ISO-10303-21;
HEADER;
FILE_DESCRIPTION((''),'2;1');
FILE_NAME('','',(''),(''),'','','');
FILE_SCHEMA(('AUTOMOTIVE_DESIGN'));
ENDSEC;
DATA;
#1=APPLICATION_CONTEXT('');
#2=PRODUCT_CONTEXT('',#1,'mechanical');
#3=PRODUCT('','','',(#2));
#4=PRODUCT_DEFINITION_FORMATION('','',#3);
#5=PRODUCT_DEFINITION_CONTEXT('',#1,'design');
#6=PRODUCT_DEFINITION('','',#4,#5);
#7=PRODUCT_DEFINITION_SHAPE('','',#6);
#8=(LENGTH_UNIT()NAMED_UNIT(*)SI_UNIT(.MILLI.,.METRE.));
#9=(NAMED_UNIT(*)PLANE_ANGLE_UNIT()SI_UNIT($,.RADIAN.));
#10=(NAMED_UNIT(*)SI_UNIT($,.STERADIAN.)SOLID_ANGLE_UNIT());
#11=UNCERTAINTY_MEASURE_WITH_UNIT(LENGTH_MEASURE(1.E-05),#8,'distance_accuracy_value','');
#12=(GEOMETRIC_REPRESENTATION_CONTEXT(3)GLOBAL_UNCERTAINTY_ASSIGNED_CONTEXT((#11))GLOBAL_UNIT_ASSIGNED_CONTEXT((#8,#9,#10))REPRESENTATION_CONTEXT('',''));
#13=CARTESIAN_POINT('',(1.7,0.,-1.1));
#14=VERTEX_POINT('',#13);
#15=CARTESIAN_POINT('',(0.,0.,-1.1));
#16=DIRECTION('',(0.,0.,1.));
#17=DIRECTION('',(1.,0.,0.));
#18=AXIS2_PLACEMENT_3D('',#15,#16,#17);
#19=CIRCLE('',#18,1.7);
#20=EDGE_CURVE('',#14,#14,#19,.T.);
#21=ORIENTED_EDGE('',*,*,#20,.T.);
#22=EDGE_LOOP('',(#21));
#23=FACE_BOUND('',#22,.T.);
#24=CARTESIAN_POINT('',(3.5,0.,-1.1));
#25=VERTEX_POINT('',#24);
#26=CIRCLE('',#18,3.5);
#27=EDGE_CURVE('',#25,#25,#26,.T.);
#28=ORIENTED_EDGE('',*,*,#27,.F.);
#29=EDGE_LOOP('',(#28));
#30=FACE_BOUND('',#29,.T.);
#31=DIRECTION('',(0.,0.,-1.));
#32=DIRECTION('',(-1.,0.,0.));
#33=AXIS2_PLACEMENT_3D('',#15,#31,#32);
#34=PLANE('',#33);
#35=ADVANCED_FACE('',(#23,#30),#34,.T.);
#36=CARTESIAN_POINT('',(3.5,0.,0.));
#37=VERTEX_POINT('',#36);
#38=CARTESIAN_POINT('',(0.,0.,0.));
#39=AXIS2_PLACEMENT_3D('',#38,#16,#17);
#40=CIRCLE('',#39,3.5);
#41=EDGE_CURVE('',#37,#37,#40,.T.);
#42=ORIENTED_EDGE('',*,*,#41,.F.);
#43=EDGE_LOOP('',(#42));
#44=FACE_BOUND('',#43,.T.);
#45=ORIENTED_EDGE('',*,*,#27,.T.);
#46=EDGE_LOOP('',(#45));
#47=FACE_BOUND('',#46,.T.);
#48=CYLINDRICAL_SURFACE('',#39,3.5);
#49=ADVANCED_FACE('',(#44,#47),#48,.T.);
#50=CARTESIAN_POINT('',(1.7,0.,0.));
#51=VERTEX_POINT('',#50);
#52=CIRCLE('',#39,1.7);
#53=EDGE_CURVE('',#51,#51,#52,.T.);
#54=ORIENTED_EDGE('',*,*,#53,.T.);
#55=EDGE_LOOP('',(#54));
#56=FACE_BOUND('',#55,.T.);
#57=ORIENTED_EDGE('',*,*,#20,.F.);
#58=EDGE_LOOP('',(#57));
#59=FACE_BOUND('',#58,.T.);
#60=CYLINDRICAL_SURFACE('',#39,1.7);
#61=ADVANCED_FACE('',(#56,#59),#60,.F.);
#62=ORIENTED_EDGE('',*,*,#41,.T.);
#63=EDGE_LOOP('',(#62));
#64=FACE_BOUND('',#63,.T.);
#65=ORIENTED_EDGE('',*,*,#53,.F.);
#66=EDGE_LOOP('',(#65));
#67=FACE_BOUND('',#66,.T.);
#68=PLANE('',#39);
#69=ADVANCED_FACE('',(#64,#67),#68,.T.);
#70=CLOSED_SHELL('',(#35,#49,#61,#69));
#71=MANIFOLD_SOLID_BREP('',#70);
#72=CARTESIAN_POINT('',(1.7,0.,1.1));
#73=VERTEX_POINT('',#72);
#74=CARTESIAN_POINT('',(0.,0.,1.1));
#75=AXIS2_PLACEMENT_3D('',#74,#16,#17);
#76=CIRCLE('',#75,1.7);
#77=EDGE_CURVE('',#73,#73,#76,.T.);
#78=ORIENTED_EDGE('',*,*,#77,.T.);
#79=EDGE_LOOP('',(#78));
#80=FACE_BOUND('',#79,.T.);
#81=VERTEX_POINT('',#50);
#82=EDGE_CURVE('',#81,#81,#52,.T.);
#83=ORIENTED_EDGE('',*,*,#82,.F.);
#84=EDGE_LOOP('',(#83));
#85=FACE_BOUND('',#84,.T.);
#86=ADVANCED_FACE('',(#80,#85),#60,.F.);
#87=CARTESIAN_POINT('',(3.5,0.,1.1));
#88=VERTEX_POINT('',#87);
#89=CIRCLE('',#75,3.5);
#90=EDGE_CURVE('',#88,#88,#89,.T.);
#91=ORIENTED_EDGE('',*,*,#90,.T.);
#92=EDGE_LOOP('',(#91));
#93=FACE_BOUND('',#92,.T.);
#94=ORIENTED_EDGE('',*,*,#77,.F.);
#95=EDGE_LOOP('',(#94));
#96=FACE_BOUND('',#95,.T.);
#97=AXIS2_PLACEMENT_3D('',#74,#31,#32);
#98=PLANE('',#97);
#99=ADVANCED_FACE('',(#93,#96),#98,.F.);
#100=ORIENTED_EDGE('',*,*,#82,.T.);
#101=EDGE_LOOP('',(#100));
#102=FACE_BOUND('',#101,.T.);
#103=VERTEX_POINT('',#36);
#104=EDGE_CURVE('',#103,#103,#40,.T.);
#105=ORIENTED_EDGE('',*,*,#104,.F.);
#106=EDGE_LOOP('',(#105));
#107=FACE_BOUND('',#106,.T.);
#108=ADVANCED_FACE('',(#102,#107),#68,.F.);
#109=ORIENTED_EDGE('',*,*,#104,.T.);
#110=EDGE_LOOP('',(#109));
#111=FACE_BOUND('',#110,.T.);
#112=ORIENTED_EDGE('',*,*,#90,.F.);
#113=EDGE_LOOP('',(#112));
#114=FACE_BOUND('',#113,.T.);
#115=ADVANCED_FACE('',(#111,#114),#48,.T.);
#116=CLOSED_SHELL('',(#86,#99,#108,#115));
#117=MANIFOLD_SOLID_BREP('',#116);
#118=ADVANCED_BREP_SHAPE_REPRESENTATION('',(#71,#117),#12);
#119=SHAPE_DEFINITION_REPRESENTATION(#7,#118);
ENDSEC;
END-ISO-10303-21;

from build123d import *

# Parameters (mm, degrees)
SKETCH_8_W   = 1.1
SKETCH_8_H   = 1.8
SKETCH_8_8_W = 1.1
SKETCH_8_8_H = 1.8


with BuildPart() as part:
    # 草图8 → 旋转3 (revolve)
    with BuildSketch(Plane(origin=(0, 0, 0), x_dir=(0, 0, -1), z_dir=(1, 0, 0))):
        with Locations((-0.55, 2.6)):
            Rectangle(SKETCH_8_W, SKETCH_8_H)
    revolve(axis=Axis((0, 0, 0), (0, 0, -1)))


with BuildPart() as body_2:
    # 草图8<8> → 旋转4 (revolve)
    with BuildSketch(Plane(origin=(0, 0, 0), x_dir=(0, 0, -1), z_dir=(1, 0, 0))):
        with Locations((0.55, 2.6)):
            Rectangle(SKETCH_8_8_W, SKETCH_8_8_H)
    revolve(axis=Axis((0, 0, 0), (0, 0, -1)))


solid = Compound([part.part, body_2.part])
